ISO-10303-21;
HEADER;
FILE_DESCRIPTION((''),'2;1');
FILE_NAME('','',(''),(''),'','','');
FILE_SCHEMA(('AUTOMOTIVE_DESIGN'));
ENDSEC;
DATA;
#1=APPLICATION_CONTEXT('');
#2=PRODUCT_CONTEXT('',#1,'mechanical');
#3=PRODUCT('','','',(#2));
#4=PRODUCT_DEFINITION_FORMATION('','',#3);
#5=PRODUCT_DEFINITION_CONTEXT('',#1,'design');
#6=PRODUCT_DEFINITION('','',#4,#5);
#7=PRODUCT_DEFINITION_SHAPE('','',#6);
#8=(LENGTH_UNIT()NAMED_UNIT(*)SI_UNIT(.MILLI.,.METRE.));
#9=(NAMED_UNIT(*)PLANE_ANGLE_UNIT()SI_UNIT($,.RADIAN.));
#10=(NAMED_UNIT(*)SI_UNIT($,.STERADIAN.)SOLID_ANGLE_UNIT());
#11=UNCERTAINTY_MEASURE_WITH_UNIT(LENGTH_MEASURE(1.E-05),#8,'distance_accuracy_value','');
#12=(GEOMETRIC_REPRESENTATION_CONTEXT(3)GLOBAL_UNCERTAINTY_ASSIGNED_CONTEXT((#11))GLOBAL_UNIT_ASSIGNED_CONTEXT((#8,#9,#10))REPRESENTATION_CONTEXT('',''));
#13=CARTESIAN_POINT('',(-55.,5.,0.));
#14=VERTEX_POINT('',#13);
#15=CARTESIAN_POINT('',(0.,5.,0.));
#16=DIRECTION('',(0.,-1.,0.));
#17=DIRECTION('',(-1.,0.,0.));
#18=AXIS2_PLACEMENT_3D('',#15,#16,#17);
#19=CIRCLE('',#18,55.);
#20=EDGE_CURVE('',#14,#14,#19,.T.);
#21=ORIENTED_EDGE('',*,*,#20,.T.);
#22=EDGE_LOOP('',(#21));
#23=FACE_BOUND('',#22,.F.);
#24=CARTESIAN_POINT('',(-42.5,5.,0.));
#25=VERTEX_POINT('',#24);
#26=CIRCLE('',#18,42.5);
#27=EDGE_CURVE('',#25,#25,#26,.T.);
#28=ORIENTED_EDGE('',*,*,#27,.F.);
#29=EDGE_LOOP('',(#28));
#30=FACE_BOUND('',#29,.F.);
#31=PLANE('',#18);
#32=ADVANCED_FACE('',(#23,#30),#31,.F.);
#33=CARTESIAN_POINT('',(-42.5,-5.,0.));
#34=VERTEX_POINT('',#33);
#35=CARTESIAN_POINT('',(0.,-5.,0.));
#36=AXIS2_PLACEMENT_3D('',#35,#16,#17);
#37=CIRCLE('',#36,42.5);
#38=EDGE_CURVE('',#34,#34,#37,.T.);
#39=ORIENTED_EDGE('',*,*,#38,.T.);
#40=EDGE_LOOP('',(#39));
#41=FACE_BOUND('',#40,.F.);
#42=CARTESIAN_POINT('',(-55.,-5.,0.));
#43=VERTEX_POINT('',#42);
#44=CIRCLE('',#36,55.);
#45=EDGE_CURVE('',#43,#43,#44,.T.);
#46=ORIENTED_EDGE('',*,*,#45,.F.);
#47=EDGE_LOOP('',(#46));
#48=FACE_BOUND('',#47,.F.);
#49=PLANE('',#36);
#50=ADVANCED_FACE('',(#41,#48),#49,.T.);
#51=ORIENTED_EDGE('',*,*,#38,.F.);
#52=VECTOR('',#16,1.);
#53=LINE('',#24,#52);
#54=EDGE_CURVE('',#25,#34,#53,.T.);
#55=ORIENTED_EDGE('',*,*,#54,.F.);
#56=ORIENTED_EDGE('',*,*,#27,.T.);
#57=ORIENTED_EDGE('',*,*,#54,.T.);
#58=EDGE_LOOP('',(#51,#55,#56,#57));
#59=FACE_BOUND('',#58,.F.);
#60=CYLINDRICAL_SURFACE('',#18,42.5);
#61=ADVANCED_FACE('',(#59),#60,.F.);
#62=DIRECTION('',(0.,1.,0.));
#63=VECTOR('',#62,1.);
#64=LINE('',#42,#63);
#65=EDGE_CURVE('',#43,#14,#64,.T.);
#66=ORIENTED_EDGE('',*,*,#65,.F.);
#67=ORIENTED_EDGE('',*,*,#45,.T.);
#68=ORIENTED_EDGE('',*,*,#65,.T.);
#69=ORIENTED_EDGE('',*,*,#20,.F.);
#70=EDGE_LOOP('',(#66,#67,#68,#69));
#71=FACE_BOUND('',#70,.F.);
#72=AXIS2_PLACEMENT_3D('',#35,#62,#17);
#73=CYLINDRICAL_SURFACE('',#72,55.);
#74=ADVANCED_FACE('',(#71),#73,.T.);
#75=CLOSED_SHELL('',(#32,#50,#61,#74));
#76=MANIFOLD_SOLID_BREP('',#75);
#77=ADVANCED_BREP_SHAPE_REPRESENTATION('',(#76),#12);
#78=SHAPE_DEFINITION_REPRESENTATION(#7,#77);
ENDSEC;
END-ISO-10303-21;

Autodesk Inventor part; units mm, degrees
ref_plane "YZ Plane" through (0, 0, 0) normal (1, 0, 0) x (0, 1, 0)
ref_plane "XZ Plane" through (0, 0, 0) normal (0, 1, 0) x (-1, 0, 0)
ref_plane "XY Plane" through (0, 0, 0) normal (0, 0, 1) x (1, 0, 0)
sketch "Эскиз1" plane through (0, 0, 0) normal (0, 0, 1) x (1, 0, 0)
  line L0 (0, 28.9289) -> (0, -27.0571)
  line L1 (-55, 5) -> (-42.5, 5)
  line L2 (-42.5, 5) -> (-42.5, -5)
  line L3 (-42.5, -5) -> (-55, -5)
  line L4 (-55, -5) -> (-55, 5)
  line L5 (-55, 5) -> (-42.5, -5) construction
  line L6 (-42.5, 5) -> (-55, -5) construction
  point P0 (0, 0)
  point P1 (-48.75, 0)
  point P2 (-48.75, 0)
  dimension "d0" = 85
  dimension "d1" = 10
  dimension "d2" = 110
revolve "Вращение1" add sketch "Эскиз1" angle 360 about axis through (0, 28.9289, 0) along (0, -1, 0)
properties part number "МПСТ Распорная втулка" material "Сталь, углеродистая"
